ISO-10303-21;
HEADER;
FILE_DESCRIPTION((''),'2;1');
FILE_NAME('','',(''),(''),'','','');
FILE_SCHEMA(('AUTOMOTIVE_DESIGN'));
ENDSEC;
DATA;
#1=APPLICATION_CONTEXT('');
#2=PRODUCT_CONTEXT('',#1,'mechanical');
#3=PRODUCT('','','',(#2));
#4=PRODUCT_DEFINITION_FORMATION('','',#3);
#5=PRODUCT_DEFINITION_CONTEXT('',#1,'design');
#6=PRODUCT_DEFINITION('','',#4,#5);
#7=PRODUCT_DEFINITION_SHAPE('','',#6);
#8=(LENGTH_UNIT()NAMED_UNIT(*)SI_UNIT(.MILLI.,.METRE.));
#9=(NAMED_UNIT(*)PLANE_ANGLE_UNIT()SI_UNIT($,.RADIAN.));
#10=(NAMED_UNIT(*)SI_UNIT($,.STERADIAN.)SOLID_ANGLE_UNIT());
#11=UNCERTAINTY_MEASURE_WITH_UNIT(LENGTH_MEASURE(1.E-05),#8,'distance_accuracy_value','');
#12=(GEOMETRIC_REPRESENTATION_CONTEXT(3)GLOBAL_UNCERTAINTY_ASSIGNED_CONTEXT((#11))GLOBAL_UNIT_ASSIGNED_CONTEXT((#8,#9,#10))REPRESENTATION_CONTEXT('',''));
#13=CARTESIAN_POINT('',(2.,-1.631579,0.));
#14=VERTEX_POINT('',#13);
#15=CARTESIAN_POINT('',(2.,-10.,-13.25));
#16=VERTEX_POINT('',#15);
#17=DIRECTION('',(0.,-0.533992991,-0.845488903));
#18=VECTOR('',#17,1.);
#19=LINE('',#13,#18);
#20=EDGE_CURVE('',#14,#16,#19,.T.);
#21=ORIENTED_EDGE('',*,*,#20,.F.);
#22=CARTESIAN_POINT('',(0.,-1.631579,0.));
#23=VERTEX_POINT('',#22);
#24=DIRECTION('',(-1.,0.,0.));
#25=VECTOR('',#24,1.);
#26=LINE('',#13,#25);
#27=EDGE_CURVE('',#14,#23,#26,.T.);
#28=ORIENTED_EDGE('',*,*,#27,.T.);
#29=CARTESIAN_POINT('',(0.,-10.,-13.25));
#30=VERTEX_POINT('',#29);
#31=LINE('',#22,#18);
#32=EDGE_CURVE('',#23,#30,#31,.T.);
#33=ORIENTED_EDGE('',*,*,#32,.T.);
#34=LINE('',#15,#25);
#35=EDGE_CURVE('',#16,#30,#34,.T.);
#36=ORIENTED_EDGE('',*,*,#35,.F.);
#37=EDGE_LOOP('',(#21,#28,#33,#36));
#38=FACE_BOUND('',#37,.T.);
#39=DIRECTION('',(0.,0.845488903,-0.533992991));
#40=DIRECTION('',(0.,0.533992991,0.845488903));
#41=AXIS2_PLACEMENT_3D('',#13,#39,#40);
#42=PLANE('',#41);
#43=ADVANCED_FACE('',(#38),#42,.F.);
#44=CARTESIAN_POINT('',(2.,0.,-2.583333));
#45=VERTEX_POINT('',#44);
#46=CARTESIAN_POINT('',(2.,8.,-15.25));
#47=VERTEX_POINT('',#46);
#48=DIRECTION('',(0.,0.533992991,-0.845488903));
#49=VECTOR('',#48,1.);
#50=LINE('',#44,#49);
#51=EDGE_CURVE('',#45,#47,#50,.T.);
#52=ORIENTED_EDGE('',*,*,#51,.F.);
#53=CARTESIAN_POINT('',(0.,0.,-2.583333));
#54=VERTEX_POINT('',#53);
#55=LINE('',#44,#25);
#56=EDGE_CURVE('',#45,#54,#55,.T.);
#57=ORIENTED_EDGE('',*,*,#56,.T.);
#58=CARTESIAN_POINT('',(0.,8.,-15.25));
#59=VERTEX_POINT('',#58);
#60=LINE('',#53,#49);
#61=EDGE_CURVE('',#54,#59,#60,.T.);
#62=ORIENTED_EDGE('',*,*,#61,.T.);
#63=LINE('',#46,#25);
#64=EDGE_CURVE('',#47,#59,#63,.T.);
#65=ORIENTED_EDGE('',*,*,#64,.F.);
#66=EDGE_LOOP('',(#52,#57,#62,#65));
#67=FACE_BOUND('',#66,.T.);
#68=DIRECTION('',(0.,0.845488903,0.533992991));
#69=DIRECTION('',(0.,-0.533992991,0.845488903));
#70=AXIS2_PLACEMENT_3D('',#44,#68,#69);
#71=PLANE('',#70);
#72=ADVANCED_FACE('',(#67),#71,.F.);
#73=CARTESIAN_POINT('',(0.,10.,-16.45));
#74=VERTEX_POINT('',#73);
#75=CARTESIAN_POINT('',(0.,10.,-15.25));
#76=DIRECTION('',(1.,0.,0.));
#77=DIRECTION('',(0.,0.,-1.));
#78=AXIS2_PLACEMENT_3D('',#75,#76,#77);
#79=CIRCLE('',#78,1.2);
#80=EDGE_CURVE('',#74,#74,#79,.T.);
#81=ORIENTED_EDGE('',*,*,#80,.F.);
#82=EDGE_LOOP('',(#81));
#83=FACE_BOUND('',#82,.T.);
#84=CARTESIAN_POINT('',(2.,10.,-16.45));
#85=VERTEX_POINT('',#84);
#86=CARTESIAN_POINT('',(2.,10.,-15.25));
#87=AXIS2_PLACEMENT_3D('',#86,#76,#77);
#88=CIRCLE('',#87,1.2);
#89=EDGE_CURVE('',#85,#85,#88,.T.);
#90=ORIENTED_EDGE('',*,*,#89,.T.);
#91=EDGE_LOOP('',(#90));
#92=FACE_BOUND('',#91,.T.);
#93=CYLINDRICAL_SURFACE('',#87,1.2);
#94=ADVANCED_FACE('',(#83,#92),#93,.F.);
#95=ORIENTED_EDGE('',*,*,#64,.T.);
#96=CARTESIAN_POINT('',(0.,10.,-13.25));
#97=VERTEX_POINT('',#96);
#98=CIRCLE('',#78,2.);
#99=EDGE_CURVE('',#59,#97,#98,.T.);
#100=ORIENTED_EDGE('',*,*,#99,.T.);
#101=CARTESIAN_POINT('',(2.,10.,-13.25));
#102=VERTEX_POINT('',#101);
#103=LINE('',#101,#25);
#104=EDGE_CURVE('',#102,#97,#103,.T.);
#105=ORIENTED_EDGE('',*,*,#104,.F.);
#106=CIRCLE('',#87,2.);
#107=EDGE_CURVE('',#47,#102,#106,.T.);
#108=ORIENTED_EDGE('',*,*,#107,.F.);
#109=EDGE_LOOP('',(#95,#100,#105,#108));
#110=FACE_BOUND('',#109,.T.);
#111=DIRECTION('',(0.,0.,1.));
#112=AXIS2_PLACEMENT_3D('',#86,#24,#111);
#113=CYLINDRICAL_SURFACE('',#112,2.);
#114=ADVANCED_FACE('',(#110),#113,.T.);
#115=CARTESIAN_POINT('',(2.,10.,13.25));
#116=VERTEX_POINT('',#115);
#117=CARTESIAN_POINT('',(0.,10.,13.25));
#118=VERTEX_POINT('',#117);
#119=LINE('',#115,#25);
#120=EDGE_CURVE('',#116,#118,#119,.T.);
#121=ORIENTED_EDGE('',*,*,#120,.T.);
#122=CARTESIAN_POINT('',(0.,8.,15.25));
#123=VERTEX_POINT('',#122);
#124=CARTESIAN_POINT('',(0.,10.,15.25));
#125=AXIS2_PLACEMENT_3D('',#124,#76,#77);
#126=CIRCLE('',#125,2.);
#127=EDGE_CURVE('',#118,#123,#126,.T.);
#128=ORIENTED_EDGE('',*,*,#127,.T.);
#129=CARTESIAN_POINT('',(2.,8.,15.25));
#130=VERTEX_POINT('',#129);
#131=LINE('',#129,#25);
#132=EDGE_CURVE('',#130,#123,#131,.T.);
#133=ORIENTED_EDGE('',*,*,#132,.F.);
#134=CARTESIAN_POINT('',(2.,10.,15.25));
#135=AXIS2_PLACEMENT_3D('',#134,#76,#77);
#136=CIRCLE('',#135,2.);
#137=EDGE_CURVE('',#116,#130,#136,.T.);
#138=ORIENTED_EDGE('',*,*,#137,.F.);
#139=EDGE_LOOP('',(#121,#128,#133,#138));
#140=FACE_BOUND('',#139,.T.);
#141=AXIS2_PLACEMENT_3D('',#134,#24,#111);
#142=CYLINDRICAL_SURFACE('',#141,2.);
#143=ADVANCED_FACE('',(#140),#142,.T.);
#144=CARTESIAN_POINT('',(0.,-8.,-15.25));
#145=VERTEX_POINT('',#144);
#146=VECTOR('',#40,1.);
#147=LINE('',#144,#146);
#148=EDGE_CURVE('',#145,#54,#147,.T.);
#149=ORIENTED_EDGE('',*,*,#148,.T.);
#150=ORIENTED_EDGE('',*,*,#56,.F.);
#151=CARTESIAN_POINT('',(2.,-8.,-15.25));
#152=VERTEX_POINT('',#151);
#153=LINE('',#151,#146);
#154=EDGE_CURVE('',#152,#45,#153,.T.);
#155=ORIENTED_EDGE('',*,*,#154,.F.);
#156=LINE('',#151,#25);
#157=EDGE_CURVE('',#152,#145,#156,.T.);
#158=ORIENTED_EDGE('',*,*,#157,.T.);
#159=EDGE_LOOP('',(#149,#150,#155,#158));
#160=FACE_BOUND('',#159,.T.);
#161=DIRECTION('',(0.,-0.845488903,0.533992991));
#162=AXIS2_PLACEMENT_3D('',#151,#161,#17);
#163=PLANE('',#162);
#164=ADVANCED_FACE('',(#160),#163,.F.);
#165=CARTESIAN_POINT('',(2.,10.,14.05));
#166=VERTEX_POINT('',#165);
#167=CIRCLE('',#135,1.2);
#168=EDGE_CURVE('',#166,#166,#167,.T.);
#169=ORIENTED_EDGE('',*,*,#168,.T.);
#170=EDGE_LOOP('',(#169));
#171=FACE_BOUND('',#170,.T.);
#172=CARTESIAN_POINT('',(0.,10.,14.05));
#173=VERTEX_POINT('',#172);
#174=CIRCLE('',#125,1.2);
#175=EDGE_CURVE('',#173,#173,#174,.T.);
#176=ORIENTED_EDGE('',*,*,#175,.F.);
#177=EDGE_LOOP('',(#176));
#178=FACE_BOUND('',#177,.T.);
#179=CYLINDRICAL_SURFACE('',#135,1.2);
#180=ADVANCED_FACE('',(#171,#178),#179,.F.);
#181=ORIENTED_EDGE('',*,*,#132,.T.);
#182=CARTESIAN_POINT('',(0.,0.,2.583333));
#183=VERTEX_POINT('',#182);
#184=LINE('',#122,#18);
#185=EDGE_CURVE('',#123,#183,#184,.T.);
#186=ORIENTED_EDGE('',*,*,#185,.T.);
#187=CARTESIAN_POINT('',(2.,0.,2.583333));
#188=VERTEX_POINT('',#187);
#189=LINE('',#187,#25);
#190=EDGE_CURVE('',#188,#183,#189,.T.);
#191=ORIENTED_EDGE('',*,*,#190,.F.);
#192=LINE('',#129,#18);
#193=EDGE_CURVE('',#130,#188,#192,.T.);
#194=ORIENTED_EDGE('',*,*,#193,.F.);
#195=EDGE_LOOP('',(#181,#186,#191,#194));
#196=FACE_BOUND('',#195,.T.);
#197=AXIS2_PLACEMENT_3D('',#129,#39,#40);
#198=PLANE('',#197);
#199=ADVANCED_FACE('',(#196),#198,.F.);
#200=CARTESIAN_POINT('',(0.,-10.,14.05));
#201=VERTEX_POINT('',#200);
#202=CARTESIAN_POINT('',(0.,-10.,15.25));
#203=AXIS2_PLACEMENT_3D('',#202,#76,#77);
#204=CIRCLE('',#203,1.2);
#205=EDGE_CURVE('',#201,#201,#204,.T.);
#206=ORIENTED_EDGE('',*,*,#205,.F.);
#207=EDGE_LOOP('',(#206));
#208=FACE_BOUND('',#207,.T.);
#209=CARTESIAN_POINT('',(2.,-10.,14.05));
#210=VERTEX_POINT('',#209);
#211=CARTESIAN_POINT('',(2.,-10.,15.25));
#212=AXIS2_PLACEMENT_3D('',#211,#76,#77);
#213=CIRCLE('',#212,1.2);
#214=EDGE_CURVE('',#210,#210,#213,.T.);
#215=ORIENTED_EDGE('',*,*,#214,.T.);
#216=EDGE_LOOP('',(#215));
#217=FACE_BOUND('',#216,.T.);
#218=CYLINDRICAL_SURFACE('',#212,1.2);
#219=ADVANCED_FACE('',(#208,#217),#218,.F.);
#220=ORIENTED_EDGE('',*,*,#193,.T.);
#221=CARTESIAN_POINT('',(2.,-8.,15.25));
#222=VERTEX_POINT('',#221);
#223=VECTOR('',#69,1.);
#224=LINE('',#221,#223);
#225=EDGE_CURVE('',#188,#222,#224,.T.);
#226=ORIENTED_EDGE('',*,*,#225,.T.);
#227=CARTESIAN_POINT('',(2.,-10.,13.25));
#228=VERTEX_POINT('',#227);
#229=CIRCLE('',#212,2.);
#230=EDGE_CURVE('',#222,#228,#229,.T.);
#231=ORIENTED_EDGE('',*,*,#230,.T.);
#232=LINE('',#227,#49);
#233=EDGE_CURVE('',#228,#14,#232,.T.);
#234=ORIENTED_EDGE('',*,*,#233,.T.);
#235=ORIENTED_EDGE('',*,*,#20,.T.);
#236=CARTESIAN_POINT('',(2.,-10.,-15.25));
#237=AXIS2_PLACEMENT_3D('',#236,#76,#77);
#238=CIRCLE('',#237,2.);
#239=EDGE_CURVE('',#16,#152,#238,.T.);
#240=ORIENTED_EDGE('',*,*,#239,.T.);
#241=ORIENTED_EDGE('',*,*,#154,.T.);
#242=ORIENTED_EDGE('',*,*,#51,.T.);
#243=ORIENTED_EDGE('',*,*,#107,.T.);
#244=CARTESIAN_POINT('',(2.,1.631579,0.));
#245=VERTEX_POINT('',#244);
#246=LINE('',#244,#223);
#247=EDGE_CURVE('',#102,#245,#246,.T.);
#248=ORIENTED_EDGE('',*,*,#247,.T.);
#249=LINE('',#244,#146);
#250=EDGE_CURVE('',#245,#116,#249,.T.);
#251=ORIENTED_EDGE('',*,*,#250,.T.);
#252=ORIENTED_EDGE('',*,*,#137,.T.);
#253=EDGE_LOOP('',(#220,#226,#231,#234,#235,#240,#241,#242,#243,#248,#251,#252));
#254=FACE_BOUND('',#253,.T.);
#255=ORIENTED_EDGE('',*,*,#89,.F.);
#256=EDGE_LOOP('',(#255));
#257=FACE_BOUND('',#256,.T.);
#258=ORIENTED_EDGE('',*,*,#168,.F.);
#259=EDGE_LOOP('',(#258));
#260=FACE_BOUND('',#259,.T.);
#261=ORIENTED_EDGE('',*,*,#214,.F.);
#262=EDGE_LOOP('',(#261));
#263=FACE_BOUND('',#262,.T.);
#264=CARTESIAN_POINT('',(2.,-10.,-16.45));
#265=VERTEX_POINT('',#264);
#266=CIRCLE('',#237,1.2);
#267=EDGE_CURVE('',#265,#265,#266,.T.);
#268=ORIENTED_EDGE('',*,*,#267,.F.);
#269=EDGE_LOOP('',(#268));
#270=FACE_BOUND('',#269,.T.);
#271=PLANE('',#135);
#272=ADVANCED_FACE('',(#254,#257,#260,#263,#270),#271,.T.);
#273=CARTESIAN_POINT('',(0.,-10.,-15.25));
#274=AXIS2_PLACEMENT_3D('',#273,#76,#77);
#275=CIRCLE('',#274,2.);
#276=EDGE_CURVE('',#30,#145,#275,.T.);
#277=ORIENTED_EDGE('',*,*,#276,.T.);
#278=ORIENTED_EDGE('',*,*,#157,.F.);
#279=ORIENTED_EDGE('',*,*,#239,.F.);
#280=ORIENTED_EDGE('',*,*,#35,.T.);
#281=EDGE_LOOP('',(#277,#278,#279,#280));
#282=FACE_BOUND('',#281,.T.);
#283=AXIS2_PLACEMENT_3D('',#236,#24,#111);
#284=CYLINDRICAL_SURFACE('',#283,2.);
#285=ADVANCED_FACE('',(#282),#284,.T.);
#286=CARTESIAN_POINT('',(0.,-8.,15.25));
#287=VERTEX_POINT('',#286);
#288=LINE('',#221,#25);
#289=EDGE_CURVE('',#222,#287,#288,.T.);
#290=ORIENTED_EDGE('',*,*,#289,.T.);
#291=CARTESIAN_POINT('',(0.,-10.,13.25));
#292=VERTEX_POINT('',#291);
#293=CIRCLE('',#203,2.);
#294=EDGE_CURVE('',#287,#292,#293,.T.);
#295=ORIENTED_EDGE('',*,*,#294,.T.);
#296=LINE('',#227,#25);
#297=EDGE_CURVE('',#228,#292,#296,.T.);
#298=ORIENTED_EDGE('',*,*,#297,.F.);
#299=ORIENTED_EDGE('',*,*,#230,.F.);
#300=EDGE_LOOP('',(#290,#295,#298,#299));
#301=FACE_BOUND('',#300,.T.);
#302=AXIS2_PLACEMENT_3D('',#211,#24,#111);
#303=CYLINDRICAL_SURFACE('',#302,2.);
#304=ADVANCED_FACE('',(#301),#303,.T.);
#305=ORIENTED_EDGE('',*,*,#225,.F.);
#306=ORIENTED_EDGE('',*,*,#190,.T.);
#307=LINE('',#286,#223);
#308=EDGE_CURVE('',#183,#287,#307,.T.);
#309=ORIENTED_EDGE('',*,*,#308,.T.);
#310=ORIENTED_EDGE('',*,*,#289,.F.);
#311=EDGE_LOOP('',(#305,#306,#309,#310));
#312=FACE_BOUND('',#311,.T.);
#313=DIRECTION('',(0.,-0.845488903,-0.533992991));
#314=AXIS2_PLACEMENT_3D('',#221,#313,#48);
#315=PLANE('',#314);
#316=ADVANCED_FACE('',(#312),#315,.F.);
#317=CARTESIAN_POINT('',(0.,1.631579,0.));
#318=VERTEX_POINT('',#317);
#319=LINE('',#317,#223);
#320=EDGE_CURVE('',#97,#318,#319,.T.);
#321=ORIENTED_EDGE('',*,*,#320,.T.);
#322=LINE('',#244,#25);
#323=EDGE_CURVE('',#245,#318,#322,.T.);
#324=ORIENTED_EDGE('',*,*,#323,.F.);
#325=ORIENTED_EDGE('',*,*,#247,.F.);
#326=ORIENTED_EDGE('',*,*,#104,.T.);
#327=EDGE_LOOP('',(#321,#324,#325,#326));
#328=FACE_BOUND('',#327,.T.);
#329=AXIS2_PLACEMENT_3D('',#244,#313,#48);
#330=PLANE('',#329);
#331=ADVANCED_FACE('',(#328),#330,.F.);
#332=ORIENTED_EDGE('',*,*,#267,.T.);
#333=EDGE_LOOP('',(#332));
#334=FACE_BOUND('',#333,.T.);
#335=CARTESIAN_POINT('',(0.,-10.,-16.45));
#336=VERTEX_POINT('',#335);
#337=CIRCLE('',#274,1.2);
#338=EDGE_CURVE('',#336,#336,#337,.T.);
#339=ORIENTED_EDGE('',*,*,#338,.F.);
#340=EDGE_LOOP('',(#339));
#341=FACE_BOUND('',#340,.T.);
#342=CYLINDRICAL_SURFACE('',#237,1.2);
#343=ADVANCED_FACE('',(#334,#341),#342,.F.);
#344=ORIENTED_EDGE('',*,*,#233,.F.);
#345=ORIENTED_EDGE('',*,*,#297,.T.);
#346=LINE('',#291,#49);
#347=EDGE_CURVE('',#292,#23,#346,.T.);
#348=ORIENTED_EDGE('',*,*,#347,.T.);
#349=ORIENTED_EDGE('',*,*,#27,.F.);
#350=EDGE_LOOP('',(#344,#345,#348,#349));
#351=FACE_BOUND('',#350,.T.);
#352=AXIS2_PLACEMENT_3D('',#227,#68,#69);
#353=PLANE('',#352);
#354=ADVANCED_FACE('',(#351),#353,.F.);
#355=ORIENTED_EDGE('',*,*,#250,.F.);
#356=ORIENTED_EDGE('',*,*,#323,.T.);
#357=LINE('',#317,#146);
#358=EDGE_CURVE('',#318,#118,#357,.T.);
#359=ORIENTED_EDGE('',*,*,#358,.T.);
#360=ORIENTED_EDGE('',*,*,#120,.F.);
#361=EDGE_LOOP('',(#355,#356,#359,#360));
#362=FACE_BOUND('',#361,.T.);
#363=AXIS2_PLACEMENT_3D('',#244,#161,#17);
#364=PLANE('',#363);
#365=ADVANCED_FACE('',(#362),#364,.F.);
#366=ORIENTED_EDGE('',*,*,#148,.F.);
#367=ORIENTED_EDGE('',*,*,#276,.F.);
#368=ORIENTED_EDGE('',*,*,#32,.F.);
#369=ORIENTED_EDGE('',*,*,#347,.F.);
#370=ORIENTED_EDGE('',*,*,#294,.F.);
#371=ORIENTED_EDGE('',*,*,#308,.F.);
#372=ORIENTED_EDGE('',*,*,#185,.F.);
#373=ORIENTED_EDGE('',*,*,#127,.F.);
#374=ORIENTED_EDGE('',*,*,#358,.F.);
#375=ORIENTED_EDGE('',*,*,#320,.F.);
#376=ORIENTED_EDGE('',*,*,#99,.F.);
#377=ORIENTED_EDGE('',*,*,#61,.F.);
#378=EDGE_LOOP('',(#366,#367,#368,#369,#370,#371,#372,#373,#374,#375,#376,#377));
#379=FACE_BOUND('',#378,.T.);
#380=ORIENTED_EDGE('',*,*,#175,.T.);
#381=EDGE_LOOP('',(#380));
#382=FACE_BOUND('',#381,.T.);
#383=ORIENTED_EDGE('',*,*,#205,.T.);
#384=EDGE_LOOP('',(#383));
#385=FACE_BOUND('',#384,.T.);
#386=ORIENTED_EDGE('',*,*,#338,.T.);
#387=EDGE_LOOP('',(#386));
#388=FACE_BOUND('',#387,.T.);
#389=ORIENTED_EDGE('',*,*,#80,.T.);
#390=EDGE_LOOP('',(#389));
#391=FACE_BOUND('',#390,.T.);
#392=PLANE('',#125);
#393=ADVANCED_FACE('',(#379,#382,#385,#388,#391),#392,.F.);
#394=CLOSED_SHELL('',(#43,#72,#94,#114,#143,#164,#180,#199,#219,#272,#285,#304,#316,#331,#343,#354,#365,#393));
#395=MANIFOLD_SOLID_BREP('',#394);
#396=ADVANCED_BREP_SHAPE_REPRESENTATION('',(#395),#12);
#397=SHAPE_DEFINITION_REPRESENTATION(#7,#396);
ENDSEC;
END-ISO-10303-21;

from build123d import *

# Parameters (mm, degrees)
BOSS_EXTRUDE1_DEPTH  = 2
M2_CLEARANCE_HOLE1_D = 2.4


with BuildPart() as part:
    # Sketch1 → Boss-Extrude1 (new body)
    with BuildSketch(Plane.YZ):
        with BuildLine():
            Line((-10, 13.25), (-1.631578947, 0))
            Line((-1.631578947, 0), (-10, -13.25))
            ThreePointArc((-10, -13.25), (-11.414213562, -16.664213562), (-8, -15.25))
            Line((-8, -15.25), (0, -2.583333333))
            Line((0, -2.583333333), (8, -15.25))
            ThreePointArc((8, -15.25), (11.414213562, -16.664213562), (10, -13.25))
            Line((10, -13.25), (1.631578947, 0))
            Line((1.631578947, 0), (10, 13.25))
            ThreePointArc((10, 13.25), (11.414213562, 16.664213562), (8, 15.25))
            Line((8, 15.25), (0, 2.583333333))
            Line((0, 2.583333333), (-8, 15.25))
            ThreePointArc((-8, 15.25), (-11.414213562, 16.664213562), (-10, 13.25))
        make_face()
    extrude(amount=BOSS_EXTRUDE1_DEPTH)

    # M2 Clearance Hole1 (through all)
    with Locations(Plane(origin=(2, 0, 0), x_dir=(0, 0, -1), z_dir=(1, 0, 0))):
        with Locations((15.25, 10), (15.25, -10), (-15.25, 10), (-15.25, -10)):
            Hole(M2_CLEARANCE_HOLE1_D / 2)


solid = part.part
